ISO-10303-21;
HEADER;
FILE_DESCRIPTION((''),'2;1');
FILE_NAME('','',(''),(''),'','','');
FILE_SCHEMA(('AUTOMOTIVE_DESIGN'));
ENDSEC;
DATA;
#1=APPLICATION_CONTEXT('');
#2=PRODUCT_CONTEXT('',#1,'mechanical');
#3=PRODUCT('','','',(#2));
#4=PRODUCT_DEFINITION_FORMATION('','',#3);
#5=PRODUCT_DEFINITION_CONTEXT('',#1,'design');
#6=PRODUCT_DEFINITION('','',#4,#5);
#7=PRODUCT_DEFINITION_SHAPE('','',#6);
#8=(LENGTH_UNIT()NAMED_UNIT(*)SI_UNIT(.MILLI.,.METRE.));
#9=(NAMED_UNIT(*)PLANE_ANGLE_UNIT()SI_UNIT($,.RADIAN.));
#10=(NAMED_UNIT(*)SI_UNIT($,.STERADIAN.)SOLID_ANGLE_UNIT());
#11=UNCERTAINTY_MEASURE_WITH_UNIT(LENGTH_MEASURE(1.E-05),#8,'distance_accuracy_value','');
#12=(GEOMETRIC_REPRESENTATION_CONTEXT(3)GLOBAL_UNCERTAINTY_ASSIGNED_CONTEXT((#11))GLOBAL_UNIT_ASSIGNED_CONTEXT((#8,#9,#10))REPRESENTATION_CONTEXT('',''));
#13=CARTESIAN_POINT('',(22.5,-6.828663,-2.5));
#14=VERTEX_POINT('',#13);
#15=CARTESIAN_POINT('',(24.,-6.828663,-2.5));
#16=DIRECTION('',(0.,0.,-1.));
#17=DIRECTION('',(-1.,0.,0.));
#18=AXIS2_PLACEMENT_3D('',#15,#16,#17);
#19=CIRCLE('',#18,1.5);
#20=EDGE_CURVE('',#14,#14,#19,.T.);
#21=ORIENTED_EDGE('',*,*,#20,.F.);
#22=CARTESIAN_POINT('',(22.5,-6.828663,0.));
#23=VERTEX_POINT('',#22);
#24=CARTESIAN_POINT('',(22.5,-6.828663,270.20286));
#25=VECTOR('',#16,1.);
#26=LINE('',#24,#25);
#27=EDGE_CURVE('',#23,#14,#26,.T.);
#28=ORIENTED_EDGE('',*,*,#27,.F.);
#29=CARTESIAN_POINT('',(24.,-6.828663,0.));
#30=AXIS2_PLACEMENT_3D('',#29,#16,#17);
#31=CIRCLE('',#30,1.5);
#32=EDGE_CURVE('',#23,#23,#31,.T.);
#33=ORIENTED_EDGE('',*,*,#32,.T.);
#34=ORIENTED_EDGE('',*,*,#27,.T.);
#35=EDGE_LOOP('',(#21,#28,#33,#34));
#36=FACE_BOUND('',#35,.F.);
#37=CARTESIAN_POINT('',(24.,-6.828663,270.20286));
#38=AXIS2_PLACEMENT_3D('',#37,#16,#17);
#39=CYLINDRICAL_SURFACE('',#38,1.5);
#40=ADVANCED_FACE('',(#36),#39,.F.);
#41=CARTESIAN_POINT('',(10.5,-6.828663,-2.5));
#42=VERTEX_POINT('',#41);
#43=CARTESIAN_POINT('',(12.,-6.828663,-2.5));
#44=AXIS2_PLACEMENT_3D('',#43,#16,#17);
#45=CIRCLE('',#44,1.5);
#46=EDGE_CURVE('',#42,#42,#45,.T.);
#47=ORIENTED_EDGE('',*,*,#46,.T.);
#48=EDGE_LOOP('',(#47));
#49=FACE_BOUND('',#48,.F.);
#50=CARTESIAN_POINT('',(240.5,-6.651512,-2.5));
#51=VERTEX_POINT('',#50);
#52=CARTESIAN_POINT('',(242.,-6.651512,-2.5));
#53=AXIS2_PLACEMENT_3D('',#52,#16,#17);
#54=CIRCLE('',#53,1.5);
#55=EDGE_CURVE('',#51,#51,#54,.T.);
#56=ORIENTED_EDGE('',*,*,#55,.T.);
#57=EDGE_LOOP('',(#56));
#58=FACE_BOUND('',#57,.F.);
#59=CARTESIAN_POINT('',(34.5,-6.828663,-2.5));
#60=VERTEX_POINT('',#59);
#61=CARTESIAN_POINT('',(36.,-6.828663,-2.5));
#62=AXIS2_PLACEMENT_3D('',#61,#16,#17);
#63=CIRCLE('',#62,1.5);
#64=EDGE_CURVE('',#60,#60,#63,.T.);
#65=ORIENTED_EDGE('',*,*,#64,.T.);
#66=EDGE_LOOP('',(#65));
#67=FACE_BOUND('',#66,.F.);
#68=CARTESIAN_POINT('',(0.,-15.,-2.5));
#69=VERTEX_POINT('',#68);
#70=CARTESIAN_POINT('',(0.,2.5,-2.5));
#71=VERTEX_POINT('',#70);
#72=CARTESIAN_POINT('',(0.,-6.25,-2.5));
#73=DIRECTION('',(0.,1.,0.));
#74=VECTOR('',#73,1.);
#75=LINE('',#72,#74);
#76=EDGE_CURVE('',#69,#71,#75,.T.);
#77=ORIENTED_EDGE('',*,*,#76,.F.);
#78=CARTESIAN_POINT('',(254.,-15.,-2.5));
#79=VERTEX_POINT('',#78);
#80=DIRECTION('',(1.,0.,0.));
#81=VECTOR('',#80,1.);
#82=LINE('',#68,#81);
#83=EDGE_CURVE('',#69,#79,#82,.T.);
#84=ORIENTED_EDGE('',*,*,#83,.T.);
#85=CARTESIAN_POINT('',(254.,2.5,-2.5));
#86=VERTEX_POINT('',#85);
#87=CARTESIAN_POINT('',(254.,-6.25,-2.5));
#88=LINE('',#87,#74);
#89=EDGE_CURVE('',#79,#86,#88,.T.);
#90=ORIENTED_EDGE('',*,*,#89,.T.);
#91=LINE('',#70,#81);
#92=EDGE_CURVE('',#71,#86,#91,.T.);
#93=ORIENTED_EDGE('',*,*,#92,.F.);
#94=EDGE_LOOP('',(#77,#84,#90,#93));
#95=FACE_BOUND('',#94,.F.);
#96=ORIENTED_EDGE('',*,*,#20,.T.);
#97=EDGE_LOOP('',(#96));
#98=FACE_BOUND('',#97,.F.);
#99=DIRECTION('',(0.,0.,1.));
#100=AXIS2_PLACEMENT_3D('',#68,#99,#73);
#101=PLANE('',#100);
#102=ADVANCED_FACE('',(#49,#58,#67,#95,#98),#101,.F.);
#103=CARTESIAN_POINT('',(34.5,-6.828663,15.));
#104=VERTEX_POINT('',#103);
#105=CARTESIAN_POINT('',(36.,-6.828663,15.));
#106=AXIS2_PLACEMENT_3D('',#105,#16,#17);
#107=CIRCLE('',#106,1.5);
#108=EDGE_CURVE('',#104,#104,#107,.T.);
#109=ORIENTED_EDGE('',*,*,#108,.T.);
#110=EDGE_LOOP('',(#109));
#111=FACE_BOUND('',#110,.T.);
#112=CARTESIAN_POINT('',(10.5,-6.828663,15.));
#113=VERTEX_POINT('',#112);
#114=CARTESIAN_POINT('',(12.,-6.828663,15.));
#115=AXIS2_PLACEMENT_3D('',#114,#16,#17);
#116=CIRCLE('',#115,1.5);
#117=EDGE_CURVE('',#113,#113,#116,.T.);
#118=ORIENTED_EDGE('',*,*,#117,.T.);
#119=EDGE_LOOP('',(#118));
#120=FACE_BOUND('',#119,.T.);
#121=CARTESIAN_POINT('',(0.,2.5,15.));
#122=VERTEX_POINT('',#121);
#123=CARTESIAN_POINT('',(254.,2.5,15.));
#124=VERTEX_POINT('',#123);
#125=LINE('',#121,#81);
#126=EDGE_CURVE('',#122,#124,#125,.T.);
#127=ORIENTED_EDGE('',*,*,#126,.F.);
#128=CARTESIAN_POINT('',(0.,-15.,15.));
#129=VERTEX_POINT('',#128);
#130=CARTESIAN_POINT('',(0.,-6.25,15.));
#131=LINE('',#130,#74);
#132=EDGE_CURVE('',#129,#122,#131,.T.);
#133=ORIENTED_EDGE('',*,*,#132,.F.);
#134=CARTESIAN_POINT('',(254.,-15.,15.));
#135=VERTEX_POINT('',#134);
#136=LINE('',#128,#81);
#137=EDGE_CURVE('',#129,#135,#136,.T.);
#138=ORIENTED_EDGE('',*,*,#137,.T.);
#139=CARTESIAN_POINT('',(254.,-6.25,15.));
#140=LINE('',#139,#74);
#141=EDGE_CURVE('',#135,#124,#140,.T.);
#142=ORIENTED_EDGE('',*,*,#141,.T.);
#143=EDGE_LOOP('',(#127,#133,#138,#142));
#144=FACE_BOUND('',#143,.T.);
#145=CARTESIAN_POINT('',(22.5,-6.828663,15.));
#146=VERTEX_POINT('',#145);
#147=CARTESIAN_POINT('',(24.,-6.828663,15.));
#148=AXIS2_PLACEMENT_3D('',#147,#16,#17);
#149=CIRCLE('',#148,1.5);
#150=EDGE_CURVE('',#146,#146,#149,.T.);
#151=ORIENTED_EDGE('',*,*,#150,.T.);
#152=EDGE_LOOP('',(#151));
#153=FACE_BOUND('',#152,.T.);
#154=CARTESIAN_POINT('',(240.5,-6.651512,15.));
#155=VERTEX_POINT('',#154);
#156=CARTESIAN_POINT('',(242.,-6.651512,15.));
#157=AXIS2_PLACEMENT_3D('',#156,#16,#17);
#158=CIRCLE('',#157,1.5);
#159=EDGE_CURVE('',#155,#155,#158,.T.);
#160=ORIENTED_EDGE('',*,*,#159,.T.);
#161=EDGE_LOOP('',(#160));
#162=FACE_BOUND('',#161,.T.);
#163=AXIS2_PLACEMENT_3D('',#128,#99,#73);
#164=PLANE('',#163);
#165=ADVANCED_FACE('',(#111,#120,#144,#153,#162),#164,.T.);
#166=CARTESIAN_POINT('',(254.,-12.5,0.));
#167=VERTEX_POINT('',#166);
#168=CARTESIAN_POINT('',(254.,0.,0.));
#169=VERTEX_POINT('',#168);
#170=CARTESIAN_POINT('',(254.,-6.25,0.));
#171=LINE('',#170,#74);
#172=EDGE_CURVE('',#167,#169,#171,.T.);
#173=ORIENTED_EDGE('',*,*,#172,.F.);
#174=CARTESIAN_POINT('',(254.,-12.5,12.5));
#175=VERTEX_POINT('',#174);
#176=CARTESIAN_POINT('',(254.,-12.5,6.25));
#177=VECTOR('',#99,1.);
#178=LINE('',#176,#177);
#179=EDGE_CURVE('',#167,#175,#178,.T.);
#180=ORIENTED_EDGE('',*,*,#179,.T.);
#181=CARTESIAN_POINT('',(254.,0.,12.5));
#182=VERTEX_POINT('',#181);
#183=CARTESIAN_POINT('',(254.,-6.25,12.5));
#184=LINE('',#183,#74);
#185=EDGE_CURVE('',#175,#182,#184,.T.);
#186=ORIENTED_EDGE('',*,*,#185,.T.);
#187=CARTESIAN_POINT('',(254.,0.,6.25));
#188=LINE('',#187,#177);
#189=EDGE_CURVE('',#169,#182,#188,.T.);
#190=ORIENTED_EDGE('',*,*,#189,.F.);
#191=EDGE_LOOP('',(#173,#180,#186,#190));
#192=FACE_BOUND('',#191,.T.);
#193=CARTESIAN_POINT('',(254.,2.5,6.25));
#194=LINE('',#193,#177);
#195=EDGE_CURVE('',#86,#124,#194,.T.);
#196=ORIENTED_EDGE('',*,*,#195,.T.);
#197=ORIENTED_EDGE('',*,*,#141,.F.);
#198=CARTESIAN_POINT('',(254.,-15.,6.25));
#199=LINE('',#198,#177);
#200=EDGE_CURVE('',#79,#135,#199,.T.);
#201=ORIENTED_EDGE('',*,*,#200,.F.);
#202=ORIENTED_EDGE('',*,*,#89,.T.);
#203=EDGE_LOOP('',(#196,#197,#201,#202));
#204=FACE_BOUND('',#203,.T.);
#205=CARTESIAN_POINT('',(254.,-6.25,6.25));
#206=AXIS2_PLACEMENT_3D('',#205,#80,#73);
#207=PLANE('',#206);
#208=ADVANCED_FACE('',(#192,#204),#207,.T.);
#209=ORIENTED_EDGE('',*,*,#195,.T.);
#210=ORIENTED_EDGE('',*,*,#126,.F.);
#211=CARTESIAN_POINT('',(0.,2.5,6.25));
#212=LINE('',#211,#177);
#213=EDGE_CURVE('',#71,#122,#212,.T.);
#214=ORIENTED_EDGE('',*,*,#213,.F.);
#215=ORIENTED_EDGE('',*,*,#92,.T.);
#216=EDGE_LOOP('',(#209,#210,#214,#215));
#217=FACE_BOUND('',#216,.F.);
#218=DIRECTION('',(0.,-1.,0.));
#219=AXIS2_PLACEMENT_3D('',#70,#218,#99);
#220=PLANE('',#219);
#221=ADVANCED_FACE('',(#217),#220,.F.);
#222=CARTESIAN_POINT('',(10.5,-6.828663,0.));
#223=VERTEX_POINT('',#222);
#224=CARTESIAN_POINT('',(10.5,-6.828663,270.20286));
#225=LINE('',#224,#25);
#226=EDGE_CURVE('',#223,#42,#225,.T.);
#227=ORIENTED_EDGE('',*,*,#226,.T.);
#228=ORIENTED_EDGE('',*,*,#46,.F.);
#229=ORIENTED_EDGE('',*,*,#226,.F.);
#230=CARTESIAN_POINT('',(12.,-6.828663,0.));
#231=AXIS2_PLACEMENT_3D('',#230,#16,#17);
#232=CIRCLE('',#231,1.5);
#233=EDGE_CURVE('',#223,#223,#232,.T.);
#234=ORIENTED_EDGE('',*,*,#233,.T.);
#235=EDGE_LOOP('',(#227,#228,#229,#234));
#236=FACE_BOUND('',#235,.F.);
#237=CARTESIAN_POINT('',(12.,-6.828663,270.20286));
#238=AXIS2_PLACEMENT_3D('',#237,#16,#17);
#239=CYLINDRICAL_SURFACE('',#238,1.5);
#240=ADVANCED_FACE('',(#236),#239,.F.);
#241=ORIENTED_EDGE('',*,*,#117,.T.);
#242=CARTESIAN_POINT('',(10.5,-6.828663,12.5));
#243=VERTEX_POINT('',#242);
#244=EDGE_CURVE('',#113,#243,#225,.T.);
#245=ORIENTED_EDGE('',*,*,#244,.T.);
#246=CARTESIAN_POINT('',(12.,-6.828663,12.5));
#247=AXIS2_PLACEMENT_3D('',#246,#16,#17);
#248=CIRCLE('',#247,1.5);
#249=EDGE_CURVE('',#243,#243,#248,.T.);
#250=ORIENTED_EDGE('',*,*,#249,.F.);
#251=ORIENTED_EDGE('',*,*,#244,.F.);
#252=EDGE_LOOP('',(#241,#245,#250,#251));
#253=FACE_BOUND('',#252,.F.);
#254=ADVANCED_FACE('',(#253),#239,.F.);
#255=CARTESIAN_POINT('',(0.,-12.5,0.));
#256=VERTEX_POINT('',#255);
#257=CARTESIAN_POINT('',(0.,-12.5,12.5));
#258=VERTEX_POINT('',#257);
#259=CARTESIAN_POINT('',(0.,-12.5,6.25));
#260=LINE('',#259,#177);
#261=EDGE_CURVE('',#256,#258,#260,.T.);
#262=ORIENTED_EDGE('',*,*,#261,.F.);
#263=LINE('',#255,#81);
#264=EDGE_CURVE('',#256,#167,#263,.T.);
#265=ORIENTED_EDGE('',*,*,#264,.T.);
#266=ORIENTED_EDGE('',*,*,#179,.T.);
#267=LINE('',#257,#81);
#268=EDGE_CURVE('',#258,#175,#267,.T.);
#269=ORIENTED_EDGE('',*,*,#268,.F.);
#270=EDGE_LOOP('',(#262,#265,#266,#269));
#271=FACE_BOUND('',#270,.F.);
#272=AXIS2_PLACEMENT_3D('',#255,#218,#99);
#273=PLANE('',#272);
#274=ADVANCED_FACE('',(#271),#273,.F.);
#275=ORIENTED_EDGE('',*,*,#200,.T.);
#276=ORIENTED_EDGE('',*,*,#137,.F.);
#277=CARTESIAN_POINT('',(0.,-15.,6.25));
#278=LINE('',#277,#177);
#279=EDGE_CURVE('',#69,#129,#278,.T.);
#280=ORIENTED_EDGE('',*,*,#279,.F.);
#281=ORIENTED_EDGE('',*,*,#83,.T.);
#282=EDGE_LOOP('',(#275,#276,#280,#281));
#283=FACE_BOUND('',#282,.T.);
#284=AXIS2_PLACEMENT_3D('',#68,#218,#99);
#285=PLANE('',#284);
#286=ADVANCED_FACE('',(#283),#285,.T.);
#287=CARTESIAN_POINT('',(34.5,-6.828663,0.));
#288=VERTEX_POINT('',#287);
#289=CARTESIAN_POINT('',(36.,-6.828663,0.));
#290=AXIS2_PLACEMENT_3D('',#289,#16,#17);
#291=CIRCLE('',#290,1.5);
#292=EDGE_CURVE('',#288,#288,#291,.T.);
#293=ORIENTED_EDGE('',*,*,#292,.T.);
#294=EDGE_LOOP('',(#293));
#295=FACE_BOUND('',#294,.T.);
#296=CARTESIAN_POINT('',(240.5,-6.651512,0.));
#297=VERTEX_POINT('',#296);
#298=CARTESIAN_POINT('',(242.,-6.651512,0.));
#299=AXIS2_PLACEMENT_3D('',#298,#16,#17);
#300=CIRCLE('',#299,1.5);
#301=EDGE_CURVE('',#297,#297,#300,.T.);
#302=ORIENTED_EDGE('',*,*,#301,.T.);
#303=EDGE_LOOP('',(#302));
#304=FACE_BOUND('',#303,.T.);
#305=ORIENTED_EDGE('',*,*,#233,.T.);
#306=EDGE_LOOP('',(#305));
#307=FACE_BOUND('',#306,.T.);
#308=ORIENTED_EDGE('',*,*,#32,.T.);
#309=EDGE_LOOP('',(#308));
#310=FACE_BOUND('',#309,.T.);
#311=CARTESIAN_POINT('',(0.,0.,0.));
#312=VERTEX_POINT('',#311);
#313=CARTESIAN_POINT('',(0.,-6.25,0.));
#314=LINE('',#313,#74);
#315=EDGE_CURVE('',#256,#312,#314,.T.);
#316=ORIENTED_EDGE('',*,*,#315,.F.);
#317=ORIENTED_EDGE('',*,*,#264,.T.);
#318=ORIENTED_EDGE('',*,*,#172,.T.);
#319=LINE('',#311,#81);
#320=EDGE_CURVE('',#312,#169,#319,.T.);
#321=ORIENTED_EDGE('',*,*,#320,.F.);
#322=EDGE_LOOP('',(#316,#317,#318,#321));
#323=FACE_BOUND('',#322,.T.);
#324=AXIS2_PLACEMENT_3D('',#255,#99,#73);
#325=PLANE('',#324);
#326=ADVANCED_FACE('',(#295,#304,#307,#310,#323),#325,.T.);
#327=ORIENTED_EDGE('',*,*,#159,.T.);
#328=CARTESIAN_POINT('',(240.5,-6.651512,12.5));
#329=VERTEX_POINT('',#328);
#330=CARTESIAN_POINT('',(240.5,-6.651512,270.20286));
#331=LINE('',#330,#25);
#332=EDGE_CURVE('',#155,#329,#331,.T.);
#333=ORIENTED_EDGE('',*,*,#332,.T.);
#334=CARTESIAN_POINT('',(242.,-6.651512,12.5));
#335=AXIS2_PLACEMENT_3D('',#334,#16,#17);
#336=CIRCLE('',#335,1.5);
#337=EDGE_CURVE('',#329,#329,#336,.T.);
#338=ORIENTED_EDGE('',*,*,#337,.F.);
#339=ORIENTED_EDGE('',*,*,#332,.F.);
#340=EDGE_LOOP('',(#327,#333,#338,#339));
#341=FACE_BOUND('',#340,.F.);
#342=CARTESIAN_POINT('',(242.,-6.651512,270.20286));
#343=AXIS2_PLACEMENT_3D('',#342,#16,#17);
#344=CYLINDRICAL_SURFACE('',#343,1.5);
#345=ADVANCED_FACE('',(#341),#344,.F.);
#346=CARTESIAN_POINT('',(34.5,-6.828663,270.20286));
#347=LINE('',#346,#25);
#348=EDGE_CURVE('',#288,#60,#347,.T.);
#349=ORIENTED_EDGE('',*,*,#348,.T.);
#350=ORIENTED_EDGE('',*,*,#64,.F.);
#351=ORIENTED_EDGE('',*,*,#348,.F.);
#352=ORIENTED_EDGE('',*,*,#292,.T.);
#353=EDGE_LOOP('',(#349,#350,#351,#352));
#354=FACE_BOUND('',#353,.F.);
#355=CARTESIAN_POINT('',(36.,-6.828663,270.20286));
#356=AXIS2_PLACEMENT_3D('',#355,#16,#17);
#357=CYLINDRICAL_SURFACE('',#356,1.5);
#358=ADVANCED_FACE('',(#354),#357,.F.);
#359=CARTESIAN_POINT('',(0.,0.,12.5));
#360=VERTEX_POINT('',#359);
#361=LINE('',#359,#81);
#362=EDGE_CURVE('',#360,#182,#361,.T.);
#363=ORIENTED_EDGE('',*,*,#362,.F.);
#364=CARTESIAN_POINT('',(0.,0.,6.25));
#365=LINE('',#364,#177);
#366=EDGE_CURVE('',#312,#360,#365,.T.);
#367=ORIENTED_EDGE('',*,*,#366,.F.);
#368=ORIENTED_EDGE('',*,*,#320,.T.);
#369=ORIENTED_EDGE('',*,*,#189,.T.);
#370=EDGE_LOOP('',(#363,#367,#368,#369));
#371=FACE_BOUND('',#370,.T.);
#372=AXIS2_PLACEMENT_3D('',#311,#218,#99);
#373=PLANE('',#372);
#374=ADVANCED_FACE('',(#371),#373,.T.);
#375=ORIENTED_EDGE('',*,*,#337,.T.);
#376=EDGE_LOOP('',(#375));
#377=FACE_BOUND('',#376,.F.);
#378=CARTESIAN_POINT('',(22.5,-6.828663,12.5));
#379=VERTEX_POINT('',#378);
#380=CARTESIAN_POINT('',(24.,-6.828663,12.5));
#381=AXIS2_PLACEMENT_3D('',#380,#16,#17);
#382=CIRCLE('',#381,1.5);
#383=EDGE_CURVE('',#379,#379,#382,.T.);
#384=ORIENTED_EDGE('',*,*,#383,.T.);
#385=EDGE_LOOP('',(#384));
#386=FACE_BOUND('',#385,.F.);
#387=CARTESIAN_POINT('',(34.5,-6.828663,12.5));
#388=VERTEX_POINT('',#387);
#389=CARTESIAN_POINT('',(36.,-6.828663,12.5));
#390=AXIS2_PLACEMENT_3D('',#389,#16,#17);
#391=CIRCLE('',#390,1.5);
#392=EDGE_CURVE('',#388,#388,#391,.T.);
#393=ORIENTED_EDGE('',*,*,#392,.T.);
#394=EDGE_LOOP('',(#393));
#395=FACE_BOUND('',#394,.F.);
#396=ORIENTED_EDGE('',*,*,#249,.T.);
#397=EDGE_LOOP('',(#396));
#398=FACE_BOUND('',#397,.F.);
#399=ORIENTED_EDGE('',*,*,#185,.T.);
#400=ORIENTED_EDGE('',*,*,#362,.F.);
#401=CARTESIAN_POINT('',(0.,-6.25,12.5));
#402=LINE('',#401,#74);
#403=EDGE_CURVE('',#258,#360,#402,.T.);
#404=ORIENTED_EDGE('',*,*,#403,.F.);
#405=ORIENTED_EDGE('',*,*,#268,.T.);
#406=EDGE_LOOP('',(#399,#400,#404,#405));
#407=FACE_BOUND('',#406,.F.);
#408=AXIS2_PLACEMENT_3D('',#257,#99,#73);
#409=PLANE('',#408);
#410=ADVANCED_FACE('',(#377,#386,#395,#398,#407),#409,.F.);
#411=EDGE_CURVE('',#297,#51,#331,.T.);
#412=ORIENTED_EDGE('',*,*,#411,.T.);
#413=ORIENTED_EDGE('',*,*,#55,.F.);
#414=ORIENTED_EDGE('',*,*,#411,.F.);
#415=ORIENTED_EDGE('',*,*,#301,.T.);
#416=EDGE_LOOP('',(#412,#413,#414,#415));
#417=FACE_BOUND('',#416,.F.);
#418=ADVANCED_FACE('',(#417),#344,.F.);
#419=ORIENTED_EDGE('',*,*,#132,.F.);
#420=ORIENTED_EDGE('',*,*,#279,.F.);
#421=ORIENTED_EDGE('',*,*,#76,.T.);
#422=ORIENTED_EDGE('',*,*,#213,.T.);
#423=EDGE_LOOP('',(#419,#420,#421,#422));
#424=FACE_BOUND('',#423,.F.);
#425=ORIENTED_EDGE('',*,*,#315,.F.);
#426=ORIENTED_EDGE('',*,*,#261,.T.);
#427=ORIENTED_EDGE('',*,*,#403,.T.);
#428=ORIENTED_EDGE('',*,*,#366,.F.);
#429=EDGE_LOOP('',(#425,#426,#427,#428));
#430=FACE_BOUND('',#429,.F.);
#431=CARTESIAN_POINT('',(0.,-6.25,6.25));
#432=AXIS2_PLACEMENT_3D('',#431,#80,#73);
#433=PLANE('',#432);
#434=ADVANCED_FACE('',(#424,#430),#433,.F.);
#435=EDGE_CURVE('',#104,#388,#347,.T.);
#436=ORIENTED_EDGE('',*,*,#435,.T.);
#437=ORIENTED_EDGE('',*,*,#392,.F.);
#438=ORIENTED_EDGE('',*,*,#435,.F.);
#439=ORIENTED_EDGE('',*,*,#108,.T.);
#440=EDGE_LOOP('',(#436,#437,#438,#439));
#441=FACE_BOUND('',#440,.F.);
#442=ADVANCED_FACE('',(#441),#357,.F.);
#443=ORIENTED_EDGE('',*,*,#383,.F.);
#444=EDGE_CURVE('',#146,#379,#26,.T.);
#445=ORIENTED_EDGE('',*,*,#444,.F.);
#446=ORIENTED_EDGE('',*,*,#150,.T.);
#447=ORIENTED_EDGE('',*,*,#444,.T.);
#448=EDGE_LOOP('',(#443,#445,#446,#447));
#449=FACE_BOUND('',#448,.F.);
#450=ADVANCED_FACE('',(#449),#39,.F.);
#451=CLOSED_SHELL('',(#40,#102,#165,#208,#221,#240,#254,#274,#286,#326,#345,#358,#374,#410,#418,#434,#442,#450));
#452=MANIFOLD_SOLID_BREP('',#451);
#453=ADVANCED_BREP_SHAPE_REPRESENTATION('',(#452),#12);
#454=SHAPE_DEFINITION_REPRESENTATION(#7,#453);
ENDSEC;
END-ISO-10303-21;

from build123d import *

# Parameters (mm, degrees)
F0_W     = 17.5
F0_H     = 17.5
F0_W_2   = 12.5
F0_H_2   = 12.5
F1_DEPTH = 254
F3_D     = 3


with BuildPart() as f1:
    # F0 (on Right) → F1 (new body)
    with BuildSketch(Plane.YZ):
        with Locations((-6.25, 6.25)):
            Rectangle(F0_W, F0_H)
        with Locations((-6.25, 6.25)):
            Rectangle(F0_W_2, F0_H_2, mode=Mode.SUBTRACT)
    extrude(amount=F1_DEPTH)

    # F3 (through all)
    with Locations(Plane.XY.offset(15)):
        with Locations((12, -6.828663), (24, -6.828663), (36, -6.828663), (242, -6.651512)):
            Hole(F3_D / 2)


solid = f1.part
